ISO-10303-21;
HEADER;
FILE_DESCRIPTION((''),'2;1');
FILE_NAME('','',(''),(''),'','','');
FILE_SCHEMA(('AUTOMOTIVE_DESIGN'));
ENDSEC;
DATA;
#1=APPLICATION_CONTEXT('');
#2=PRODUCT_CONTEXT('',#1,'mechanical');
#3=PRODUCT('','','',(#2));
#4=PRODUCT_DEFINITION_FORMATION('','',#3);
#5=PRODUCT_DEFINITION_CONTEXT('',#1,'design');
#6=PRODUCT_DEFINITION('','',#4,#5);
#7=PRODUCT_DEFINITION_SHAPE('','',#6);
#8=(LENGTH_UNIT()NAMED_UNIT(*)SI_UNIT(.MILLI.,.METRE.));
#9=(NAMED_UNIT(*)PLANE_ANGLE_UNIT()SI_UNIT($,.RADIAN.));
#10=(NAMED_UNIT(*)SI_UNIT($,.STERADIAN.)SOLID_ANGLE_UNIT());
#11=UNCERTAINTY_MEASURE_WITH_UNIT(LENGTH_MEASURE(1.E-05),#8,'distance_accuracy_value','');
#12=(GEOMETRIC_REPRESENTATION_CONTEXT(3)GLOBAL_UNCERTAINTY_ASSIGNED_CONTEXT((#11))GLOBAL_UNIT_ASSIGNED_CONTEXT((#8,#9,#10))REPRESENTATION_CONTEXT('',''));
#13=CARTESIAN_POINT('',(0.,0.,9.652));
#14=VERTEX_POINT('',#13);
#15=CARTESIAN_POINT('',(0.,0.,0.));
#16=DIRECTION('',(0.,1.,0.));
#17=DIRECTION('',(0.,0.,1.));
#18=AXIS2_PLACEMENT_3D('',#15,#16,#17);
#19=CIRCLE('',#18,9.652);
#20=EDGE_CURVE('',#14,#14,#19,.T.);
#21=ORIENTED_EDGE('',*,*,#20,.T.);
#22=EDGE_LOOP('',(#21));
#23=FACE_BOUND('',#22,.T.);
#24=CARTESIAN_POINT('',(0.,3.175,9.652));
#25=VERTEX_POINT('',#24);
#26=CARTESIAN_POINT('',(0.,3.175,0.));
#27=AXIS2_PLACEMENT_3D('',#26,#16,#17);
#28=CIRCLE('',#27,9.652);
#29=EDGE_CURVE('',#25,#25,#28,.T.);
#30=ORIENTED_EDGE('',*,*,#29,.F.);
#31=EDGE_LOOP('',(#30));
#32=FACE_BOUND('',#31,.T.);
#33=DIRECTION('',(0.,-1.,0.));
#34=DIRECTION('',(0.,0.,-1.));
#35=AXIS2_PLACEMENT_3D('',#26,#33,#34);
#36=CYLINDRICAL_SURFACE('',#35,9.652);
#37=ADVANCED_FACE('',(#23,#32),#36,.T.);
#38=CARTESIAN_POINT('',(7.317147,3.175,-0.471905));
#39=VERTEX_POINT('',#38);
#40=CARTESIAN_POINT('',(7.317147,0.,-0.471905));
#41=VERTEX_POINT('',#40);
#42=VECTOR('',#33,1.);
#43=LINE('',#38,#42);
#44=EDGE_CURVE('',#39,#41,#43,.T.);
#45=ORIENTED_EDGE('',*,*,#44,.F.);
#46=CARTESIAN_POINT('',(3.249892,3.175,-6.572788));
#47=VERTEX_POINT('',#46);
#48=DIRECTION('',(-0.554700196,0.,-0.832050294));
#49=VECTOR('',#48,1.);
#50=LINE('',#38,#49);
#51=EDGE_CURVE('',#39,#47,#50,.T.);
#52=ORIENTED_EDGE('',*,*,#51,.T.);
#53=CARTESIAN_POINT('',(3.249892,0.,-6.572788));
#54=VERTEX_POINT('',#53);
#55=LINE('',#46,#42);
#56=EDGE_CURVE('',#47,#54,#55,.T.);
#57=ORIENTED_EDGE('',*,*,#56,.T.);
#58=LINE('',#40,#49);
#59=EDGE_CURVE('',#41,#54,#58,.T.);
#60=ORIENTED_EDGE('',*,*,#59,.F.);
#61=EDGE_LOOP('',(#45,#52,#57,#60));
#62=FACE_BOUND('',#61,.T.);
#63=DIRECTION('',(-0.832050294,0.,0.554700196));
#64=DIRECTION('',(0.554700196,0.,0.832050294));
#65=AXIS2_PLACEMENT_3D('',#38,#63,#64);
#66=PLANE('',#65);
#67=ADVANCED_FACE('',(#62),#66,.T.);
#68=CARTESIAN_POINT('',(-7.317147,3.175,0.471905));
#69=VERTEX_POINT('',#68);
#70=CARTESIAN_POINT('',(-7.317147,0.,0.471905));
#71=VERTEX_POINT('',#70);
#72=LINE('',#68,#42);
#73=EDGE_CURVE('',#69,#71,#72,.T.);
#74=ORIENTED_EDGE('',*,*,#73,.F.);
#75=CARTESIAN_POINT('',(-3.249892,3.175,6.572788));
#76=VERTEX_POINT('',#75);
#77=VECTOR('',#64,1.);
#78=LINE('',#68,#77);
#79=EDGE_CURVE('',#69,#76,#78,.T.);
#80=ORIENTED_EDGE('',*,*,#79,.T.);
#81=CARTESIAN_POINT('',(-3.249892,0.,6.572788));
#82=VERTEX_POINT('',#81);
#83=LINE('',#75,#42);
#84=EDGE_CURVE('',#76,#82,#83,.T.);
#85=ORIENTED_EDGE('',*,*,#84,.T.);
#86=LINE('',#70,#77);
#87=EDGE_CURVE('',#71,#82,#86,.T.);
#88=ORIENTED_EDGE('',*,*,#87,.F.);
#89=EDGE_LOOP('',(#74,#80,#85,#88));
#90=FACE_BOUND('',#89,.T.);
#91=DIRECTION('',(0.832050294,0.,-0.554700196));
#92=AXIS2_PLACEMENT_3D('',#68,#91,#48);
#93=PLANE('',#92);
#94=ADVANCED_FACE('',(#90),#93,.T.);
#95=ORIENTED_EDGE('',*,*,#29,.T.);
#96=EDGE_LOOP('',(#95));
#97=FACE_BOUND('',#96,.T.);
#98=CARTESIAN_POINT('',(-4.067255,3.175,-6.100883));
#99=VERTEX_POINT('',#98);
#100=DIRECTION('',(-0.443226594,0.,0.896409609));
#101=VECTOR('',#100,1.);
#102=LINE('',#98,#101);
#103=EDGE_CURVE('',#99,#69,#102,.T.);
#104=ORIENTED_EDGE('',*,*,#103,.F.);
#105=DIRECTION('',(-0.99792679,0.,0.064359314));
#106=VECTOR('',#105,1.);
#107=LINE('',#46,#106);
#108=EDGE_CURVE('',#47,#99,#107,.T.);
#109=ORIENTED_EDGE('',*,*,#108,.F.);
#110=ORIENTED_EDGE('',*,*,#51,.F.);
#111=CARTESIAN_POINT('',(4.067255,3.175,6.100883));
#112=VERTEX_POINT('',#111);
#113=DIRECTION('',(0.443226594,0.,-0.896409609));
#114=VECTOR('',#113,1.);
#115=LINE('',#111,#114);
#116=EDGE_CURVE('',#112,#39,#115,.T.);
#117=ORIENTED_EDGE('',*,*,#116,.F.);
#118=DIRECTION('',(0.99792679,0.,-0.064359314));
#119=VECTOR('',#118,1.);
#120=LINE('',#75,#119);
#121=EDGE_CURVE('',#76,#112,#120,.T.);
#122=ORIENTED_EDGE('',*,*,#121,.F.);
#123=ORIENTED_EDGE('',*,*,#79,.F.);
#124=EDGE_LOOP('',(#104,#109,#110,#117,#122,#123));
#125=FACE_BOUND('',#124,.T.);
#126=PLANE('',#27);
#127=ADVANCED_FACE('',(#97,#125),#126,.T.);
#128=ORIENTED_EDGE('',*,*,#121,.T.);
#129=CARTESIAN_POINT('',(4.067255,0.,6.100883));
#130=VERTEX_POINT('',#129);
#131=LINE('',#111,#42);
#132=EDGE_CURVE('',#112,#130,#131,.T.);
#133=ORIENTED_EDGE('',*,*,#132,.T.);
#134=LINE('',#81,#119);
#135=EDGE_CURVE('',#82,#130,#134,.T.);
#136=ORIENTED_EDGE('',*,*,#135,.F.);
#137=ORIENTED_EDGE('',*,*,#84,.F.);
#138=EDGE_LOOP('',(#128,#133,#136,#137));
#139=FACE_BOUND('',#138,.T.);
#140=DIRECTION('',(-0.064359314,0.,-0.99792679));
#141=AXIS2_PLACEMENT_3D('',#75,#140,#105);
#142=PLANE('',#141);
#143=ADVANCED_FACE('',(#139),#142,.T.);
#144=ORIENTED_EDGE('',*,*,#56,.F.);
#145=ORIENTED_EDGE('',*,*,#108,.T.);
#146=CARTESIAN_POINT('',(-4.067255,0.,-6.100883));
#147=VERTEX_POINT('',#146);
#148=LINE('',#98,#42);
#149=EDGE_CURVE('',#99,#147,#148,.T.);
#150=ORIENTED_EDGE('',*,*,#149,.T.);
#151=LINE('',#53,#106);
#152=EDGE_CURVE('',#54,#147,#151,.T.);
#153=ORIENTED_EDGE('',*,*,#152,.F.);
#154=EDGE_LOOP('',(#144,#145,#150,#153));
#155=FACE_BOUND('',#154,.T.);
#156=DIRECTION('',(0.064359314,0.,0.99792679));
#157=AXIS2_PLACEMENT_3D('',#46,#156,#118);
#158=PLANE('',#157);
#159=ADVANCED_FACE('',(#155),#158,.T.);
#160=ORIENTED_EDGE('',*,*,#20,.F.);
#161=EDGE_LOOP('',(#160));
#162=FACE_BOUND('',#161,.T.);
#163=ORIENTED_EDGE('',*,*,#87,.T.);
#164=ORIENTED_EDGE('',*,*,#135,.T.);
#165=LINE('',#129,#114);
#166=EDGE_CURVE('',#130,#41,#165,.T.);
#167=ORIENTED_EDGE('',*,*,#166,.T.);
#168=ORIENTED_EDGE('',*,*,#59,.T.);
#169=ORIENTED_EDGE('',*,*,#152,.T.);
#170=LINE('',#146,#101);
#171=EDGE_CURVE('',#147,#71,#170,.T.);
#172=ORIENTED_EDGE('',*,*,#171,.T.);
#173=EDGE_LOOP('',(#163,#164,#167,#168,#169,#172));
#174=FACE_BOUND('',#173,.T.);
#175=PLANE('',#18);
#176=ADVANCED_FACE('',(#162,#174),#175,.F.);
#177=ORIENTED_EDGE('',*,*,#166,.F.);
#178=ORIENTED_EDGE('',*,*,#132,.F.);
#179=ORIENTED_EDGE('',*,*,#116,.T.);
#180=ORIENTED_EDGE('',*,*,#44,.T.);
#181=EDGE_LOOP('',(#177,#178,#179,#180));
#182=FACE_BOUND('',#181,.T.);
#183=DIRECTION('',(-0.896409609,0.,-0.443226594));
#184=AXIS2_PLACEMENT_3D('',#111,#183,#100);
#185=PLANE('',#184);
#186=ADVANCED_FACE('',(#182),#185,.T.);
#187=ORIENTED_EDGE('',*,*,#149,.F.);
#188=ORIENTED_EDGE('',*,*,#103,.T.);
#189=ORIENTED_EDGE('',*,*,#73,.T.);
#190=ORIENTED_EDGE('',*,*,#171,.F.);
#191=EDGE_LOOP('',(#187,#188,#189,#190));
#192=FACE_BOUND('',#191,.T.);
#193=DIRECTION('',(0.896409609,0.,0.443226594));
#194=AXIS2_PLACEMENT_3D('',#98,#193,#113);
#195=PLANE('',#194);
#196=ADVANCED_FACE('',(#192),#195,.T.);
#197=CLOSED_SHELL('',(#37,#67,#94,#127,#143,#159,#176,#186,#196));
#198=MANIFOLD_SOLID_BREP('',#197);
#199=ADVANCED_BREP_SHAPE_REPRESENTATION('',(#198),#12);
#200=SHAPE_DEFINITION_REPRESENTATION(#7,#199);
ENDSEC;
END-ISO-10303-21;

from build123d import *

# Parameters (mm, degrees)
SKETCH1_R           = 9.652
BOSS_EXTRUDE1_DEPTH = 3.175


with BuildPart() as part:
    # Sketch1 → Boss-Extrude1 (new body)
    with BuildSketch(Plane(origin=(0, 0, 0), x_dir=(1, 0, 0), z_dir=(0, 1, 0))):
        Circle(SKETCH1_R)
        Polygon((4.067255107, -6.10088266), (7.317146922, 0.471904916), (3.249891816, 6.572787576), (-4.067255107, 6.10088266), (-7.317146922, -0.471904916), (-3.249891816, -6.572787576), align=None, mode=Mode.SUBTRACT)
    extrude(amount=BOSS_EXTRUDE1_DEPTH)


solid = part.part
